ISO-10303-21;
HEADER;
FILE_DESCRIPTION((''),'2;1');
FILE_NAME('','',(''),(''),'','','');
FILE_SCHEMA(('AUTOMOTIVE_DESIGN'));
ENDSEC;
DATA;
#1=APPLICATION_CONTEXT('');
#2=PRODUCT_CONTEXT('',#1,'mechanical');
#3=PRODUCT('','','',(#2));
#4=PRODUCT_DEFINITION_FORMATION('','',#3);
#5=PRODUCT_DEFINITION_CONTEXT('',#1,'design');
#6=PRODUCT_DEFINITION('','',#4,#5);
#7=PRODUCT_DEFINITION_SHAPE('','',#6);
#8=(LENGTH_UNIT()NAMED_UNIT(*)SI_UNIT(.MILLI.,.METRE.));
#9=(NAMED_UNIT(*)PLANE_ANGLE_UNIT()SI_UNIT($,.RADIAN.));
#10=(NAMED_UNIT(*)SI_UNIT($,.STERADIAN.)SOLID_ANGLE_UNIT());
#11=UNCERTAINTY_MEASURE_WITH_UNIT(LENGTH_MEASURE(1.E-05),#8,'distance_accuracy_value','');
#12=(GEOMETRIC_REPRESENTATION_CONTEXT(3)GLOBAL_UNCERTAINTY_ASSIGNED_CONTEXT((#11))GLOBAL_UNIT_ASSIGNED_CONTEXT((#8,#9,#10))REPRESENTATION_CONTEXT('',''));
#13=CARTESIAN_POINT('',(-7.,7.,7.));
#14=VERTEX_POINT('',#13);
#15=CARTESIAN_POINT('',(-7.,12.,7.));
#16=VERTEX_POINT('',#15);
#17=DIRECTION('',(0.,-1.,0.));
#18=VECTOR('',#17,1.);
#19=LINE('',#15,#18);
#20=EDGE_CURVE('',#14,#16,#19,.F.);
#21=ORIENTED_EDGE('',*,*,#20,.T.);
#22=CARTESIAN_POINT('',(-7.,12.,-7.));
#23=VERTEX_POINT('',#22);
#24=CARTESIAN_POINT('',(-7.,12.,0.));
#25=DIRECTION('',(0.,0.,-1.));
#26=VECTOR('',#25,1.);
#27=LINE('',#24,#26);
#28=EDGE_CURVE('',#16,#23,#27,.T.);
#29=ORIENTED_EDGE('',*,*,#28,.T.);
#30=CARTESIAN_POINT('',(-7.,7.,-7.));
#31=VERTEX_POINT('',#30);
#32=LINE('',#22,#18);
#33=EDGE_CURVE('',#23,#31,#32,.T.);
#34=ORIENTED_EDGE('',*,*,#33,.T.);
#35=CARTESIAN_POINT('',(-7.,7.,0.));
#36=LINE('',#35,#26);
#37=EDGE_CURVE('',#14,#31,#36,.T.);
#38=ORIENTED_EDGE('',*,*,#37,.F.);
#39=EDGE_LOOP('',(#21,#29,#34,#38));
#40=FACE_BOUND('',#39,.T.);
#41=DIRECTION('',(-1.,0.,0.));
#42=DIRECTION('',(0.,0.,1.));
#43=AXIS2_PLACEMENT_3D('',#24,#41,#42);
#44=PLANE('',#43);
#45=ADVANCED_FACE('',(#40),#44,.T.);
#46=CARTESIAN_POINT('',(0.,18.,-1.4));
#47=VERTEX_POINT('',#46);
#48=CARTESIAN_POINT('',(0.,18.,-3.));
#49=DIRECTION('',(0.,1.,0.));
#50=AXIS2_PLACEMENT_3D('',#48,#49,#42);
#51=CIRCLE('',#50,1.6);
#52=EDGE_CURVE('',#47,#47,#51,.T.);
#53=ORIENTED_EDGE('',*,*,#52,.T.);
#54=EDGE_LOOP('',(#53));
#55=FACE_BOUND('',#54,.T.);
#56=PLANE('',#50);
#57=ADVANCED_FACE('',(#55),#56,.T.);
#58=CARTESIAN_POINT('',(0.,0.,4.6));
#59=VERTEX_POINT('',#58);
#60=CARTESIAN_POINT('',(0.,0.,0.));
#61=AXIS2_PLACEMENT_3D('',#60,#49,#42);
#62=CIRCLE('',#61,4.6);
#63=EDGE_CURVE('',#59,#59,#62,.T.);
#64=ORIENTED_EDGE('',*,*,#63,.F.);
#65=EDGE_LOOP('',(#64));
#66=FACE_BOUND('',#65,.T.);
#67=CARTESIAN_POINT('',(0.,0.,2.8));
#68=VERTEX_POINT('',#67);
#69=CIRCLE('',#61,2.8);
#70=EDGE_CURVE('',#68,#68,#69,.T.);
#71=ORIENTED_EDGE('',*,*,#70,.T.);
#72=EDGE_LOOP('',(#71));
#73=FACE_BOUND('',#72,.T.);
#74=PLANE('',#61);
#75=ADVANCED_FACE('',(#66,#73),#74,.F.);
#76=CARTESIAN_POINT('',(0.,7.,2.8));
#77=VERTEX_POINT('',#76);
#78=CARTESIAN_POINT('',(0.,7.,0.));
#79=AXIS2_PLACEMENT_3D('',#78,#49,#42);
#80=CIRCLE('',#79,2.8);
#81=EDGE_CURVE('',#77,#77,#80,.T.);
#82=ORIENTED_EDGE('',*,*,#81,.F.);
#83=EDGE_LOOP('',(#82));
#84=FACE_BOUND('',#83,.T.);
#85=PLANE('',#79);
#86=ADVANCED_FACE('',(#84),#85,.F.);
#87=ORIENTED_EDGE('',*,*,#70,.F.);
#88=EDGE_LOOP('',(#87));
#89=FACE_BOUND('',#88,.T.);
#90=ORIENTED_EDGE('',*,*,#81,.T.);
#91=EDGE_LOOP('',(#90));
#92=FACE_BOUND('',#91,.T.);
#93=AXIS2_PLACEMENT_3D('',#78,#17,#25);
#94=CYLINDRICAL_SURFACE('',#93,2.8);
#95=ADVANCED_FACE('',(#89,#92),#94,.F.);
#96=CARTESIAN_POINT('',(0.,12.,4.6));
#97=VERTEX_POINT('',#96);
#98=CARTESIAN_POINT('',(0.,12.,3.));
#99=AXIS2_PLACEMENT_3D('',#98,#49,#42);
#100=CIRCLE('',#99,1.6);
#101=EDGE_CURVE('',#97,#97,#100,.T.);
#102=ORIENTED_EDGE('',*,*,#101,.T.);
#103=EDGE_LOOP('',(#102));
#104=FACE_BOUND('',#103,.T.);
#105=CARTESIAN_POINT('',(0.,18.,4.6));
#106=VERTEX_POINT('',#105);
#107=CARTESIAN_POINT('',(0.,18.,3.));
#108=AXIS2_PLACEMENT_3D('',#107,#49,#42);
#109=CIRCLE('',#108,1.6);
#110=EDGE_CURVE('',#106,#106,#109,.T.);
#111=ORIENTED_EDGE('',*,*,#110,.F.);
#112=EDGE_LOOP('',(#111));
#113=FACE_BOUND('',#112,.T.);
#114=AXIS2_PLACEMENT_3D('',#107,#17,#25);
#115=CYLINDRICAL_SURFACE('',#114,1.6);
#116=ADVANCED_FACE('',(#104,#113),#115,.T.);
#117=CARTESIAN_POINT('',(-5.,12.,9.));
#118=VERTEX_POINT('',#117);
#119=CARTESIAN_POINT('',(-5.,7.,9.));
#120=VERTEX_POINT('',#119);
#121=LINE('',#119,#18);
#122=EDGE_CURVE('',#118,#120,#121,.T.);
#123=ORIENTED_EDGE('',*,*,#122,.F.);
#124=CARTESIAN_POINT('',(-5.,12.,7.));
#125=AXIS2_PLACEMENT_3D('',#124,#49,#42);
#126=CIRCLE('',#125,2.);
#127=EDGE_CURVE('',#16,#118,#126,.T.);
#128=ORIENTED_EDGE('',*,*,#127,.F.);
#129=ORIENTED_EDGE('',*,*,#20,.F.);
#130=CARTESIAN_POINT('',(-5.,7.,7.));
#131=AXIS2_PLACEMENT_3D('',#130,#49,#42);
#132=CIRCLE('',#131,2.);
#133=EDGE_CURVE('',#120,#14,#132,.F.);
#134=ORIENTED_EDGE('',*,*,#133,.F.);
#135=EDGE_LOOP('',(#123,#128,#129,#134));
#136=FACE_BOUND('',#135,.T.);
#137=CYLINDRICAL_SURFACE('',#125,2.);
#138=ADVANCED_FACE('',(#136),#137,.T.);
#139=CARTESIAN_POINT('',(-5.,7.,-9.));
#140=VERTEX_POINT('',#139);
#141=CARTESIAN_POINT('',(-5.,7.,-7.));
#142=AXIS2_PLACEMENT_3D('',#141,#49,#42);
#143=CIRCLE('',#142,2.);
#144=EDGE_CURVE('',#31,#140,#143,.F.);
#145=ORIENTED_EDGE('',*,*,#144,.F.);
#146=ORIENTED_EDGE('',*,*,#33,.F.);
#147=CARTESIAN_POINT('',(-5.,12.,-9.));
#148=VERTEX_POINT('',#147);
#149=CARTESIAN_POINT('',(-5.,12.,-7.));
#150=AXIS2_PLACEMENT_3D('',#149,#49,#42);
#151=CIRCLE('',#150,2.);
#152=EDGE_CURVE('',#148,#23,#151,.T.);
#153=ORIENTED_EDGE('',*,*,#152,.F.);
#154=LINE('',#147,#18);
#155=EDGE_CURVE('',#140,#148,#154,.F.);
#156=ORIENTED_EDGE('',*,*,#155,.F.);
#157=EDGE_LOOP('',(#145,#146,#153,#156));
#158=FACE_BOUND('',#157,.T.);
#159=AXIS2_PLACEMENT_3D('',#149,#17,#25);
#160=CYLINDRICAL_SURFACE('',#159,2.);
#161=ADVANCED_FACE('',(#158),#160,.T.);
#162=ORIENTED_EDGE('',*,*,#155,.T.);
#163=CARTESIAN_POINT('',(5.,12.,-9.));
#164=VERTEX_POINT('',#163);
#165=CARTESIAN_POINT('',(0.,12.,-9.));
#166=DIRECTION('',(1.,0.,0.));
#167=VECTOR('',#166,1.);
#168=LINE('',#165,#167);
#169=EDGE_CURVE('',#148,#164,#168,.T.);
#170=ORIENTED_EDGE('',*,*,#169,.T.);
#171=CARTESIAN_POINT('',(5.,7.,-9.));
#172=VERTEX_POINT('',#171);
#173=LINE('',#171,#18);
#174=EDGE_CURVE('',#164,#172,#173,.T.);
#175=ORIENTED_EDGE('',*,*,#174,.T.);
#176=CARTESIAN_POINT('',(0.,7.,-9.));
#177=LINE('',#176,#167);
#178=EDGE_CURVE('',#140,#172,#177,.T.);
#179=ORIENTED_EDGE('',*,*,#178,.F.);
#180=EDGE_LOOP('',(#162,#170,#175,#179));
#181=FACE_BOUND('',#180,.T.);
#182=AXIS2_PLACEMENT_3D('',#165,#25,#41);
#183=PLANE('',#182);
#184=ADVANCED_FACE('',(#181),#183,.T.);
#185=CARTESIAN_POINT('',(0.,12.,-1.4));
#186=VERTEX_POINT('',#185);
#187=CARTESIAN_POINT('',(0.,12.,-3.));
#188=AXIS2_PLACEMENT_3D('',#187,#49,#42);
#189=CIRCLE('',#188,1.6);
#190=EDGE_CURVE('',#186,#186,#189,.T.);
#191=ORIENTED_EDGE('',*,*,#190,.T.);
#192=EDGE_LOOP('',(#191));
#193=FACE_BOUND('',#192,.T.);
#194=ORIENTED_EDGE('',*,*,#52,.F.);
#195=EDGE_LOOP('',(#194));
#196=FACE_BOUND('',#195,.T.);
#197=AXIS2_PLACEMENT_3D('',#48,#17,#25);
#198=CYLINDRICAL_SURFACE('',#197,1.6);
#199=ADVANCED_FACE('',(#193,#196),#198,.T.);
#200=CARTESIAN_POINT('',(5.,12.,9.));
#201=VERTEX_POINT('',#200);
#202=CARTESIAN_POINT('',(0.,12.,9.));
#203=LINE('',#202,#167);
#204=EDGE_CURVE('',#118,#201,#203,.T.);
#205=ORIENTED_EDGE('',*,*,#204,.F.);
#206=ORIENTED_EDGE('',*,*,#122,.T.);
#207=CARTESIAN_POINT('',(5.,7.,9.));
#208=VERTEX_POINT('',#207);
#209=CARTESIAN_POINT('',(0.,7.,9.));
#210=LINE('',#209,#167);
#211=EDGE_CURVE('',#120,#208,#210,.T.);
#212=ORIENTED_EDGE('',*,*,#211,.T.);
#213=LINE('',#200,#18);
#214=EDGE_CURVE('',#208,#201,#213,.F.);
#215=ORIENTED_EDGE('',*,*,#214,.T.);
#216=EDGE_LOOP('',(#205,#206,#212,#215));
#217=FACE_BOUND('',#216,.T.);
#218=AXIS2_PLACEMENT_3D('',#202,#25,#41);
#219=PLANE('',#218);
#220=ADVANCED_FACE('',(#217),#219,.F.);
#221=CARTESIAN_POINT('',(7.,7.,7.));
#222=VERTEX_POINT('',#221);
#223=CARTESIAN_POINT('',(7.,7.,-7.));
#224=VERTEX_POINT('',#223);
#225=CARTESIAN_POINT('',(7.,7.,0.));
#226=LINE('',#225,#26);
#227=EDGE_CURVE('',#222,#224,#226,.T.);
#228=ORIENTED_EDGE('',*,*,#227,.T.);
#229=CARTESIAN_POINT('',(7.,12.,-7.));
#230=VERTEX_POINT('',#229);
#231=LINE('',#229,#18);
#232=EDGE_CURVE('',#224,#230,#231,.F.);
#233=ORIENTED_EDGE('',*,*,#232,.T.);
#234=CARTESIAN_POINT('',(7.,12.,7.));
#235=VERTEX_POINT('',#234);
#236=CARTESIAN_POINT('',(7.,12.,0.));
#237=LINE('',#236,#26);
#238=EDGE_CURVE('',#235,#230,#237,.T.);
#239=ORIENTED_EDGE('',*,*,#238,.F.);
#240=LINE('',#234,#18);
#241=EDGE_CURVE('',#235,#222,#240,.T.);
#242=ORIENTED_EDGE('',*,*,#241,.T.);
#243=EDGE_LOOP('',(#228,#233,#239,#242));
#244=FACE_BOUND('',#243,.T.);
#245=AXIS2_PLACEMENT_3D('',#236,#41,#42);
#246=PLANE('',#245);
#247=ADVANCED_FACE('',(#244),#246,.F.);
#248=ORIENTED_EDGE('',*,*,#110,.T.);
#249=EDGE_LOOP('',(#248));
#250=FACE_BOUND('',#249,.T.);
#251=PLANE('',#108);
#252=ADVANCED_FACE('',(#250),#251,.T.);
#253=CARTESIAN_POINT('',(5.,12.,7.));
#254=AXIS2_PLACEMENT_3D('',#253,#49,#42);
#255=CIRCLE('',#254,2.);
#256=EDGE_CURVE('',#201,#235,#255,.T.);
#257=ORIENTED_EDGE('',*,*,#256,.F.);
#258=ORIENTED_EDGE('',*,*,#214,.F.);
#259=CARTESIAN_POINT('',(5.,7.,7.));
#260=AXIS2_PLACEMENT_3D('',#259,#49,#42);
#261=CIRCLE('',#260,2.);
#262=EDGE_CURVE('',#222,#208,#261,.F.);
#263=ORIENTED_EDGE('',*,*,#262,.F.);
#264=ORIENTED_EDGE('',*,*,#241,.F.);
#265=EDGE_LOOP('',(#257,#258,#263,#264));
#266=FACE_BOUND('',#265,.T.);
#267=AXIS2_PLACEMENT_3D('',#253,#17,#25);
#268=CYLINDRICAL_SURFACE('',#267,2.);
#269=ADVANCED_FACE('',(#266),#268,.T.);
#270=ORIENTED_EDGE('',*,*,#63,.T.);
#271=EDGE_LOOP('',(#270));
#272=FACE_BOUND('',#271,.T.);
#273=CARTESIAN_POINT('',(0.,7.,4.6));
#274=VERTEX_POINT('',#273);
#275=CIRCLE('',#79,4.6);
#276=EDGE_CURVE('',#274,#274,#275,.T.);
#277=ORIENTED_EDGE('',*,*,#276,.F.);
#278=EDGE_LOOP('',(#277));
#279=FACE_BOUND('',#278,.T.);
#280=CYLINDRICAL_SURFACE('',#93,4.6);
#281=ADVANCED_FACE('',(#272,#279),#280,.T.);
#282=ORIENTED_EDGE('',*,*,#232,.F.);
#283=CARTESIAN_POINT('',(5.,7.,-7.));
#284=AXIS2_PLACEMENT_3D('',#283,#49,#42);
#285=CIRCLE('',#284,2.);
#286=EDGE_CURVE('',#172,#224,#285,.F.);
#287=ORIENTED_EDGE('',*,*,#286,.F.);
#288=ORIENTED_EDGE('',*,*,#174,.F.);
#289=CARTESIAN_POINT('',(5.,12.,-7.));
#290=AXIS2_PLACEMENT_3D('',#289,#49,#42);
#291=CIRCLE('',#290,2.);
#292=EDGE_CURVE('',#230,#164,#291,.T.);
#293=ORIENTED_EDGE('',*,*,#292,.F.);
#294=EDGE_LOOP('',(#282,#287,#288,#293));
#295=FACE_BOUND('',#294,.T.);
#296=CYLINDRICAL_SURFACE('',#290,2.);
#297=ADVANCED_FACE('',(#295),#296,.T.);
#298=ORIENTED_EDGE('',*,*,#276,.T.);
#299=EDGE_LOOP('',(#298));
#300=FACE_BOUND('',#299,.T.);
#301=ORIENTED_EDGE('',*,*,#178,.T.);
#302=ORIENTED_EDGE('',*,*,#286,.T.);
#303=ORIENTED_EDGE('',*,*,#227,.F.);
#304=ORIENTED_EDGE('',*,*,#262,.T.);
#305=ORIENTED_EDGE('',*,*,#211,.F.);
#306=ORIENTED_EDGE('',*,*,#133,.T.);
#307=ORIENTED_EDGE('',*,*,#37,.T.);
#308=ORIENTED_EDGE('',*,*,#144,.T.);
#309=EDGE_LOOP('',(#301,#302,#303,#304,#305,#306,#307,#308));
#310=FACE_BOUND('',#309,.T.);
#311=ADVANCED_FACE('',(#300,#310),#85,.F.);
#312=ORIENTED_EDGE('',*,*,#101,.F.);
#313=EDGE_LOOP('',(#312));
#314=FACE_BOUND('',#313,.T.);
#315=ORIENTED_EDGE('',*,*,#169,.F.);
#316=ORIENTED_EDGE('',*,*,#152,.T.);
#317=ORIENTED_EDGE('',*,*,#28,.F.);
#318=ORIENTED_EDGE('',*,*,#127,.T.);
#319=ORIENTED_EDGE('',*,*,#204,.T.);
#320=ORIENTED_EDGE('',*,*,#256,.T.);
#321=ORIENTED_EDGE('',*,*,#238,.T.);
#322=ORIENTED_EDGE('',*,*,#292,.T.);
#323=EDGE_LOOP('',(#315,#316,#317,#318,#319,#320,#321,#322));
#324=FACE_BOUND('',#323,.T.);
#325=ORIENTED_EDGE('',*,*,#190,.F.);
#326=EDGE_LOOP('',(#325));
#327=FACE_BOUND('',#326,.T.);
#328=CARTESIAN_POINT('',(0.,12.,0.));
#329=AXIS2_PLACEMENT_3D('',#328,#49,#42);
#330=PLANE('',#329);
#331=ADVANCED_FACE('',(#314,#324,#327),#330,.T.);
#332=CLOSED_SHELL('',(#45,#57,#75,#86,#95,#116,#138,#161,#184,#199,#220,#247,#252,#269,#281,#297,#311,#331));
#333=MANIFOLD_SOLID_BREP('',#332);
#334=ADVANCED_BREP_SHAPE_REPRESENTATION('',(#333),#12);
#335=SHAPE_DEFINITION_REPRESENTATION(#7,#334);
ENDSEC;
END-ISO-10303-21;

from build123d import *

# Parameters (mm, degrees)
SKETCH1_R           = 4.6
SKETCH1_R_2         = 2.8
BOSS_EXTRUDE1_DEPTH = 7
BOSS_EXTRUDE2_START = 7
SKETCH1_3_W         = 14
SKETCH1_3_H         = 18
BOSS_EXTRUDE2_DEPTH = 5
SKETCH2_R           = 1.6
BOSS_EXTRUDE3_DEPTH = 6
FILLET1_R           = 2


with BuildPart() as part:
    # Sketch1 → Boss-Extrude1 (new body)
    with BuildSketch(Plane(origin=(0, 0, 0), x_dir=(1, 0, 0), z_dir=(0, 1, 0))):
        Circle(SKETCH1_R)
        Circle(SKETCH1_R_2, mode=Mode.SUBTRACT)
    extrude(amount=BOSS_EXTRUDE1_DEPTH)

    # Sketch1<3> → Boss-Extrude2 (add)
    with BuildSketch(Plane(origin=(0, 0, 0), x_dir=(1, 0, 0), z_dir=(0, 1, 0)).offset(BOSS_EXTRUDE2_START)):
        Rectangle(SKETCH1_3_W, SKETCH1_3_H)
    extrude(amount=BOSS_EXTRUDE2_DEPTH)

    # Sketch2 → Boss-Extrude3 (add)
    with BuildSketch(Plane(origin=(0, 12, 0), x_dir=(1, 0, 0), z_dir=(0, 1, 0))):
        with Locations((0, 3)):
            Circle(SKETCH2_R)
        with Locations((0, -3)):
            Circle(SKETCH2_R)
    extrude(amount=BOSS_EXTRUDE3_DEPTH)

    # Fillet1
    fillet1_edges = [part.edges().sort_by_distance(p)[0] for p in [
        (7, 9.5, 9),
        (-7, 9.5, 9),
        (-7, 9.5, -9),
        (7, 9.5, -9),
    ]]
    fillet(fillet1_edges, radius=FILLET1_R)


solid = part.part
